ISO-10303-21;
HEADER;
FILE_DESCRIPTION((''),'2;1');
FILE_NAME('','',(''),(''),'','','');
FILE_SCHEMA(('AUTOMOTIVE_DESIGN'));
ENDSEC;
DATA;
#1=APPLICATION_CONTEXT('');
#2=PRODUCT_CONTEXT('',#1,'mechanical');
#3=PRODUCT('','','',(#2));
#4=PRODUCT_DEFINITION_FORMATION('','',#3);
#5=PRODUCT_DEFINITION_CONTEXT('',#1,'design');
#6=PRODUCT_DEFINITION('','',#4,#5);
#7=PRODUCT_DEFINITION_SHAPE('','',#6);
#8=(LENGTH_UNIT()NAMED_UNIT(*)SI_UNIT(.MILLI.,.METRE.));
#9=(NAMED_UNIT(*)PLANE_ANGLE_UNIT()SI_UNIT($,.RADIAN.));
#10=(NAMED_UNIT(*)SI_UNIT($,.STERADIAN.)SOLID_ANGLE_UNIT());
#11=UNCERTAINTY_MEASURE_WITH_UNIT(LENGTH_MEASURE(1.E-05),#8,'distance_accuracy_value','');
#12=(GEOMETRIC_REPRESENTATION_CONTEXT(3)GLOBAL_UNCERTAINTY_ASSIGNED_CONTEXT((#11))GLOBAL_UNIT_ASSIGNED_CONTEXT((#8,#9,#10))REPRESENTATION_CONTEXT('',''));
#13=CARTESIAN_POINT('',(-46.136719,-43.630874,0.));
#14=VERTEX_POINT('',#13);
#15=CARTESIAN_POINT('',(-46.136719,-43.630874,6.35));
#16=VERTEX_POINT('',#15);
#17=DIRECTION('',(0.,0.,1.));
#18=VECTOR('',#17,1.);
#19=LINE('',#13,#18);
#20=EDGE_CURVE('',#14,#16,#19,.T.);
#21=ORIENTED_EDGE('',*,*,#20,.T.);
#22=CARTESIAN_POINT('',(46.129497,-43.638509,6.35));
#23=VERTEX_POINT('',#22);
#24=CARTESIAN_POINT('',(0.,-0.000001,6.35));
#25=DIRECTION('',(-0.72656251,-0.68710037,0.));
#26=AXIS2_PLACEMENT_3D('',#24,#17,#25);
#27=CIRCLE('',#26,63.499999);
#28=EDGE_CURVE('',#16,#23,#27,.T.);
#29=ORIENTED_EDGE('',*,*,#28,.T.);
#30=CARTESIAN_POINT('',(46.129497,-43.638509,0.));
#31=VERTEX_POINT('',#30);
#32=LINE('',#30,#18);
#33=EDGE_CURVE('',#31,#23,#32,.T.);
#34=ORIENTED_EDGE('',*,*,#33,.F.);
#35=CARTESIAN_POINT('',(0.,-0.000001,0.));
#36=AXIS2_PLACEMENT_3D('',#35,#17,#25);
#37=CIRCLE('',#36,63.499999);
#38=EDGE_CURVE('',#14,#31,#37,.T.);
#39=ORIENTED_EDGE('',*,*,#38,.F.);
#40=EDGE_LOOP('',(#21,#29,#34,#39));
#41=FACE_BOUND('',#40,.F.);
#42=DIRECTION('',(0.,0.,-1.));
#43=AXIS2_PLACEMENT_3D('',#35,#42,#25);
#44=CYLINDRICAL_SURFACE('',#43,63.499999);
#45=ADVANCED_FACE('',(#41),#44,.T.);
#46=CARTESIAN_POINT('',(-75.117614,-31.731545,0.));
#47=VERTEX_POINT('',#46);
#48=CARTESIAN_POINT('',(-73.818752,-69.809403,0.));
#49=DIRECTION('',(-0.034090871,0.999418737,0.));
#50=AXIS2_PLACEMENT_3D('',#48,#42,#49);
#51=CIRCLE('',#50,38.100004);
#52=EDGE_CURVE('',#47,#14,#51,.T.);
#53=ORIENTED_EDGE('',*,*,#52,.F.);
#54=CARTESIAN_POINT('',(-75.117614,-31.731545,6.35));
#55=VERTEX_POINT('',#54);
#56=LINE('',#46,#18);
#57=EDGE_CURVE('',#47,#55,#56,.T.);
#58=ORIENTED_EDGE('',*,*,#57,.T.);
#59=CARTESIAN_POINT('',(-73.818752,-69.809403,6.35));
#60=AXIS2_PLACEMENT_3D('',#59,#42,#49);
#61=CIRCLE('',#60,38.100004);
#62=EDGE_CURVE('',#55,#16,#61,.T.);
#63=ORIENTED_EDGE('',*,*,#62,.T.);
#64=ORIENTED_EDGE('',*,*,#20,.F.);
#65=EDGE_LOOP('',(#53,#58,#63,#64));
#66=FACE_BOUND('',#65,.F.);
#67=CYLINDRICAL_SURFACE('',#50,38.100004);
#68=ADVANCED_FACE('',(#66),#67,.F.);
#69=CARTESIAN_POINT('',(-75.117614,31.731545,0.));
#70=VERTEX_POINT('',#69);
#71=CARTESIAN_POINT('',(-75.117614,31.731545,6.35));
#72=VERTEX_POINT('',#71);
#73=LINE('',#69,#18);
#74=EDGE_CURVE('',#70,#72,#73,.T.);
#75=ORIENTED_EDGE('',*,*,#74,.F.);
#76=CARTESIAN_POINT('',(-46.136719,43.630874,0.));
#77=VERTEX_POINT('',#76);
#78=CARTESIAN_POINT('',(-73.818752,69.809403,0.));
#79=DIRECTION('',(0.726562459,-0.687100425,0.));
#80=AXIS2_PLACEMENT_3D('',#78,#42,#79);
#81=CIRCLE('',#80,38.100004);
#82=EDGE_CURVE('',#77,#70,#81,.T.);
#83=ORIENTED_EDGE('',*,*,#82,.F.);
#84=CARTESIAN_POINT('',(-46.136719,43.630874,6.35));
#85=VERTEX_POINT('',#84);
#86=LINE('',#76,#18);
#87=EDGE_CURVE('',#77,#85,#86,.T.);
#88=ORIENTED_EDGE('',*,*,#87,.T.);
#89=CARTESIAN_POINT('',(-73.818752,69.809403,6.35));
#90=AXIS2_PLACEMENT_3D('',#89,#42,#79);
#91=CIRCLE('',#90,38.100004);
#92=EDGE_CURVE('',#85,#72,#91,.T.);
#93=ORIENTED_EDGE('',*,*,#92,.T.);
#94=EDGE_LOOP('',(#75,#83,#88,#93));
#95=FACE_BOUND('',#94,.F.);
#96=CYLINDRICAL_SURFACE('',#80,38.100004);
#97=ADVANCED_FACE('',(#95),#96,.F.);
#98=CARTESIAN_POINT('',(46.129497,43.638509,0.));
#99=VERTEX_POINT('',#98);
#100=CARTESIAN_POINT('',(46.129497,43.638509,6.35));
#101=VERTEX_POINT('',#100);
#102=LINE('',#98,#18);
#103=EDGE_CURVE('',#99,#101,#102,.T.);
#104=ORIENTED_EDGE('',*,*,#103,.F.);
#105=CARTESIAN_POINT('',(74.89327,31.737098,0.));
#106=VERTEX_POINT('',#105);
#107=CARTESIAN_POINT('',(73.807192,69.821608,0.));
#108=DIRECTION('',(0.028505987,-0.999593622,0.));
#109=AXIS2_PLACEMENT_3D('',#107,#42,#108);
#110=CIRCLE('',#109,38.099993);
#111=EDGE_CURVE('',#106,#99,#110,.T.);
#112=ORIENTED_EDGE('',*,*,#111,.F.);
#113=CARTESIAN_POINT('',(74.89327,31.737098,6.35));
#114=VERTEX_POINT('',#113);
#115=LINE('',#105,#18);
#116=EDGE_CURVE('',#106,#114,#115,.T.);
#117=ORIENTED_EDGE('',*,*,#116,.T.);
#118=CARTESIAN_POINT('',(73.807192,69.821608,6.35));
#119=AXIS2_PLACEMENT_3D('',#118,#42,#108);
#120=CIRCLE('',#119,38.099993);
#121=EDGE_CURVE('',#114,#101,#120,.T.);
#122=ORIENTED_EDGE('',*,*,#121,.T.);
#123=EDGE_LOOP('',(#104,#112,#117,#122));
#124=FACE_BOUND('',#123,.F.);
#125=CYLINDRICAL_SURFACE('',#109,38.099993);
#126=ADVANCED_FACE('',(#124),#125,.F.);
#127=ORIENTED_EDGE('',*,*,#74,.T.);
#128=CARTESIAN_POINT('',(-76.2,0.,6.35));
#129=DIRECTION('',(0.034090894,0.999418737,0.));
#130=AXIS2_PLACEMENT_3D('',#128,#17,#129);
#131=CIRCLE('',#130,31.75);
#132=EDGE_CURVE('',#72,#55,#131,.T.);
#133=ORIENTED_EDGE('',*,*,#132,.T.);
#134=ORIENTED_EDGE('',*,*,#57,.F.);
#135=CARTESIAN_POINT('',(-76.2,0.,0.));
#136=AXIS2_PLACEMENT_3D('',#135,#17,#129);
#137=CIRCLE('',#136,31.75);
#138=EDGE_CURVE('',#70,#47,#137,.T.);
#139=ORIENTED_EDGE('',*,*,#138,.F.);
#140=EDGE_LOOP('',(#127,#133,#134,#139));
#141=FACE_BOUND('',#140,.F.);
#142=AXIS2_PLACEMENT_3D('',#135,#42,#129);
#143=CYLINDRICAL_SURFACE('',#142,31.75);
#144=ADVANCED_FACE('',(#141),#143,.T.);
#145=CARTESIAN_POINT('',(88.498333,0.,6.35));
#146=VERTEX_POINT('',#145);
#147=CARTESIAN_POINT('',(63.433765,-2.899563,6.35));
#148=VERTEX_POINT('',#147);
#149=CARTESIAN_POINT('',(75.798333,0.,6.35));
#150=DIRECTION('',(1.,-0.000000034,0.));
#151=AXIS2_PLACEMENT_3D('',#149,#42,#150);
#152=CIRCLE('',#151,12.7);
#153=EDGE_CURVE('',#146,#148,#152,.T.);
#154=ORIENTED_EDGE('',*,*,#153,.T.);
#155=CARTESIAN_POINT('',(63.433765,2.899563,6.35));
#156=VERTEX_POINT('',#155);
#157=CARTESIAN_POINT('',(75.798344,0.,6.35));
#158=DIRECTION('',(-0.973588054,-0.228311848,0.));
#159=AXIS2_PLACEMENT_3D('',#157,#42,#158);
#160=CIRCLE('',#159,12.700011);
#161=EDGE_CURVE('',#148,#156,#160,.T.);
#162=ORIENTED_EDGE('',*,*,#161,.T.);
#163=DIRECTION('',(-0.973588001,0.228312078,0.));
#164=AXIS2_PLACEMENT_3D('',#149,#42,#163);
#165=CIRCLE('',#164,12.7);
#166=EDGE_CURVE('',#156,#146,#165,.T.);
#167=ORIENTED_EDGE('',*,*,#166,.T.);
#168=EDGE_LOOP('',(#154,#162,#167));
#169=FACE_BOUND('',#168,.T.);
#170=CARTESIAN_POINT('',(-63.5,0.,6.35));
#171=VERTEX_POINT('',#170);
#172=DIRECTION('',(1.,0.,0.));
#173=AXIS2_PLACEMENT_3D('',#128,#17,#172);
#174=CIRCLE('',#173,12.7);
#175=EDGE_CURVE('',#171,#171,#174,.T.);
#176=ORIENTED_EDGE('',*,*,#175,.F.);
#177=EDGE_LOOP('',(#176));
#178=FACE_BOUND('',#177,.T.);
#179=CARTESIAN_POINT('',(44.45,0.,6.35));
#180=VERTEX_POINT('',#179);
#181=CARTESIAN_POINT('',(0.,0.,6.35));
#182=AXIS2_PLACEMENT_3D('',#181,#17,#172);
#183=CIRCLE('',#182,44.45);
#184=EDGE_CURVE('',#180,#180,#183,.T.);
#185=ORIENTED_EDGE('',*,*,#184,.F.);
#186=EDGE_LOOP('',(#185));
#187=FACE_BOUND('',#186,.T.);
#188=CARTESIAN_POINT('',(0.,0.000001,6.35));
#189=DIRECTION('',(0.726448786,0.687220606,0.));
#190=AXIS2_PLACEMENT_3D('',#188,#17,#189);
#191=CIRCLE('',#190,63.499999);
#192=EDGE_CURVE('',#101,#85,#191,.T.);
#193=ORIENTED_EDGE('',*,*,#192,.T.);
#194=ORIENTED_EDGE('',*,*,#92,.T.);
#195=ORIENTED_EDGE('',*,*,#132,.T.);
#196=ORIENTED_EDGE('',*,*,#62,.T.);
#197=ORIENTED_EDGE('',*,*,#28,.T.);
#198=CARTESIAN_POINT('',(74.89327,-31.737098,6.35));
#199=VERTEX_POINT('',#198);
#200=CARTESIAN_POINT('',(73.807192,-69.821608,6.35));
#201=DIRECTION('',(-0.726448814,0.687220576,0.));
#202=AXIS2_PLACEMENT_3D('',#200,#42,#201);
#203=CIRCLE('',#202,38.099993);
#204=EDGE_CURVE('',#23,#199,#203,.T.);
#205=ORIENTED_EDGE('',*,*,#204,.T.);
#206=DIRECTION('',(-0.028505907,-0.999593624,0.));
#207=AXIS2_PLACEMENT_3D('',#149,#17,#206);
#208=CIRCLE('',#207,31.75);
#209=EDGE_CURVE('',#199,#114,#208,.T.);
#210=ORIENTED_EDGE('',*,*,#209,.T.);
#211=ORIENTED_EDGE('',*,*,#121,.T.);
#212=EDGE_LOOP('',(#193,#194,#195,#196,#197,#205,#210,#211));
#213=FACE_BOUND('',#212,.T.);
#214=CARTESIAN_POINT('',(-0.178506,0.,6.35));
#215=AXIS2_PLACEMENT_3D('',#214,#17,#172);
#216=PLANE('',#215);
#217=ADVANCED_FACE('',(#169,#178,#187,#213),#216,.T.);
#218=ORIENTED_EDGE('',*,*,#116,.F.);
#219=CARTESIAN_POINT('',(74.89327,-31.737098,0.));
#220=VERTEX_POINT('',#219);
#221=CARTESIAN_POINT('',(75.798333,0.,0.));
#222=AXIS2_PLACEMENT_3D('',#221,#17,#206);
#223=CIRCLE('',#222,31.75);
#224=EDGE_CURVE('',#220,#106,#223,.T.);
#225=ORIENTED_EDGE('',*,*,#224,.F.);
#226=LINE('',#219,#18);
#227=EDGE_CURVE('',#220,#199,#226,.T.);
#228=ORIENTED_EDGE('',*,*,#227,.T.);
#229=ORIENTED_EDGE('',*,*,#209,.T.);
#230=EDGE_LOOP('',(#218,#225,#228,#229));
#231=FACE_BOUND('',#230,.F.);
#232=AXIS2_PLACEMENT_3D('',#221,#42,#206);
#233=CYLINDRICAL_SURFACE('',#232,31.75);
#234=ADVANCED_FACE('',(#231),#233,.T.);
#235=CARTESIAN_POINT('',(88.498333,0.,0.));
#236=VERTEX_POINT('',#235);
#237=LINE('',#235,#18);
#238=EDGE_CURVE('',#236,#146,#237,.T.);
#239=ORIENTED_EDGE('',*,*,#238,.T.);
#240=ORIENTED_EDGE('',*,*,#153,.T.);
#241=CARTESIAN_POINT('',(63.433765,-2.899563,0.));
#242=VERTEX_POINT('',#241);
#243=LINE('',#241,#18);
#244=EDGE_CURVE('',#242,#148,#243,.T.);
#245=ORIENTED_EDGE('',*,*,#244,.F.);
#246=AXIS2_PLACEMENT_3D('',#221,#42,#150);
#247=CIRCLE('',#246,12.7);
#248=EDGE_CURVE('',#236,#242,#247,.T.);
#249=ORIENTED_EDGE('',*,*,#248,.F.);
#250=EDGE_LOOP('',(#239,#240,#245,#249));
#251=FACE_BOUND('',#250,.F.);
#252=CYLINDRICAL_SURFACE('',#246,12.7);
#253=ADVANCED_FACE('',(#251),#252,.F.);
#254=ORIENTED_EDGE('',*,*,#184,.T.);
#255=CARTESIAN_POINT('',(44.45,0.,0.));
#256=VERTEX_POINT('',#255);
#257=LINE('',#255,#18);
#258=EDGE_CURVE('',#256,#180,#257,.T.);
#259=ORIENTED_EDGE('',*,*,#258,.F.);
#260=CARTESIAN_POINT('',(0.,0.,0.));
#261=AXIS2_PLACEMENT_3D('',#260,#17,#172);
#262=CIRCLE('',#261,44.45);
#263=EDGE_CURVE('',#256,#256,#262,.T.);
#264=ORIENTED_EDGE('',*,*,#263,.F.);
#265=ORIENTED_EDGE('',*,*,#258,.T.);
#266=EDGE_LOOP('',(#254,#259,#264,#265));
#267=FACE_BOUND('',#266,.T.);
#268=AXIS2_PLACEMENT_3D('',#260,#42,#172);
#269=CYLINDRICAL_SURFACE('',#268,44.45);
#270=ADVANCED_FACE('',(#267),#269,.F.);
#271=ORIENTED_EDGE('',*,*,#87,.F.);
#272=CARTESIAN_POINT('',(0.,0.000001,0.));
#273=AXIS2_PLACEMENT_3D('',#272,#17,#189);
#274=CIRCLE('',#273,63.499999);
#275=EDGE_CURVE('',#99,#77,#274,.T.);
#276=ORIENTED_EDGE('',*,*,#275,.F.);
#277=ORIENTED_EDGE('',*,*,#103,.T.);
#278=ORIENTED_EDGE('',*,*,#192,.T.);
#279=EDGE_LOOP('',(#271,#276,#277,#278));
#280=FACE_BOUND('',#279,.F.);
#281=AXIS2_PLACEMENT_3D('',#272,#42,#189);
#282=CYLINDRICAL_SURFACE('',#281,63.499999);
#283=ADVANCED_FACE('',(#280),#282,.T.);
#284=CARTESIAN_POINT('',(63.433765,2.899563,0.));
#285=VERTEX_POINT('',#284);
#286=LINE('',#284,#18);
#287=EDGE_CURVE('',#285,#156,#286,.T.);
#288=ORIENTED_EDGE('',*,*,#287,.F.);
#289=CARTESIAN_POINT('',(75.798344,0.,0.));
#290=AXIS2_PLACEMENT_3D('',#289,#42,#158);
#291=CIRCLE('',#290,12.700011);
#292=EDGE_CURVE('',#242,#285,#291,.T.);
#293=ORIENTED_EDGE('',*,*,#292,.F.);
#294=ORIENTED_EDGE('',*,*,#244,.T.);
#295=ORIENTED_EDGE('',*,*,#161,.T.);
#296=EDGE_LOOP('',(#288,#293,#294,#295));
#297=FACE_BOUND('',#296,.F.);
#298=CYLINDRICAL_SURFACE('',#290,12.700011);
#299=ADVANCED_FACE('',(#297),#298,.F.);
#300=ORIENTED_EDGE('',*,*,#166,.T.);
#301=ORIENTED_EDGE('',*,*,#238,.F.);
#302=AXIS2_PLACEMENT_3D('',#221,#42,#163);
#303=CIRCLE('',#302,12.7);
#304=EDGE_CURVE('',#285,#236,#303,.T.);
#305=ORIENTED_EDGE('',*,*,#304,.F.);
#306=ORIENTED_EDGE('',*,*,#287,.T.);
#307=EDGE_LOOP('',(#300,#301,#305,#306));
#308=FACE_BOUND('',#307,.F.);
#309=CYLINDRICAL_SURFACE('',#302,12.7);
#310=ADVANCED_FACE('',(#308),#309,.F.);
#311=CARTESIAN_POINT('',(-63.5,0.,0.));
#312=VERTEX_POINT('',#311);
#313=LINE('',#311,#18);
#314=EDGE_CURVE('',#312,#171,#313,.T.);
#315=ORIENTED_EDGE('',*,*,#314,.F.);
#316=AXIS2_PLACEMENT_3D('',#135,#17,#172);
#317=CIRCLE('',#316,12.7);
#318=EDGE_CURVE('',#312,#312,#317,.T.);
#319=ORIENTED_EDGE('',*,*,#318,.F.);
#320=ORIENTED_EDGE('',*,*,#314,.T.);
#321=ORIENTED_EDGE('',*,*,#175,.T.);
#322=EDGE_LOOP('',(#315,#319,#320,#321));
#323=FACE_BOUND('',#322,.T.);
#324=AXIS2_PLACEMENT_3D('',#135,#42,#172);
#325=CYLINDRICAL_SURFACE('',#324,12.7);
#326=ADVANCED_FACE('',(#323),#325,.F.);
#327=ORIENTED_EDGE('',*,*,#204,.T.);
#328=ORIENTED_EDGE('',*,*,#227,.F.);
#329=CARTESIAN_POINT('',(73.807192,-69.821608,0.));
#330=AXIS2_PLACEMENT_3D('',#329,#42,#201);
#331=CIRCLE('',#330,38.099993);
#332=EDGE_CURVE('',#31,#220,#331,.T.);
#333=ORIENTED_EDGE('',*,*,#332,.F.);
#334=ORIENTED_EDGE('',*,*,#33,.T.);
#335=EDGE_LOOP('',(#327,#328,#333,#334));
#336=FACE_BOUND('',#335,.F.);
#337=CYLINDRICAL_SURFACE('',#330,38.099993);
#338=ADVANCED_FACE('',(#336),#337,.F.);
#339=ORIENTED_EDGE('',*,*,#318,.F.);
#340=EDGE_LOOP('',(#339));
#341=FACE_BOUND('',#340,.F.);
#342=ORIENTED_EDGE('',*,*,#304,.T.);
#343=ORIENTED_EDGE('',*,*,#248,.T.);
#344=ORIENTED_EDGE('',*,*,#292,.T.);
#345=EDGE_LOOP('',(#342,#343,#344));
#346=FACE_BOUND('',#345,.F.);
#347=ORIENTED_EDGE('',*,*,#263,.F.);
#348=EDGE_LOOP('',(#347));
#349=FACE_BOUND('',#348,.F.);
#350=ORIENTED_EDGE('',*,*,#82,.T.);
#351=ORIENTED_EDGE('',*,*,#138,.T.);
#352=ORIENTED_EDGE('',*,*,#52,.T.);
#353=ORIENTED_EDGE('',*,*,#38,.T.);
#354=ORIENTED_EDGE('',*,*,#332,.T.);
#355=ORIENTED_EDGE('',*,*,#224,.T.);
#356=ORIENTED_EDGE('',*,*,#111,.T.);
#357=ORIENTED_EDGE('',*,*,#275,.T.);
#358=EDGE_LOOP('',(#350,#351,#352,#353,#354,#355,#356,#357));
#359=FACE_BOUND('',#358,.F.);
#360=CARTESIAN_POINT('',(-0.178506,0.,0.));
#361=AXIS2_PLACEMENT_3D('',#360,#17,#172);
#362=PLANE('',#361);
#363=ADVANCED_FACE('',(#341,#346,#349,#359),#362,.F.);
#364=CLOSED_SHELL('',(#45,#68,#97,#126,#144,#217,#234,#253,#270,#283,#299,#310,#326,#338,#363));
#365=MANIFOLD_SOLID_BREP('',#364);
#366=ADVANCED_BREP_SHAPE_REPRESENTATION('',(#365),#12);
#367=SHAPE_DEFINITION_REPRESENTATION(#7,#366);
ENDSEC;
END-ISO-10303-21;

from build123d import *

# Parameters (mm, degrees)
F0_R     = 12.7
F0_R_2   = 44.45
F1_DEPTH = 6.35


with BuildPart() as f1:
    # F0 (on Top) → F1 (new body)
    with BuildSketch(Plane.XY):
        with BuildLine():
            ThreePointArc((-75.117614, -31.731545), (-59.347524, -34.564632), (-46.136719, -43.630874))
            ThreePointArc((-46.136719, -43.630874), (-0.005255, -63.5), (46.129497, -43.638509))
            ThreePointArc((46.129497, -43.638509), (59.240469, -34.61621), (74.89327, -31.737098))
            ThreePointArc((74.89327, -31.737098), (107.548333, 0), (74.89327, 31.737098))
            ThreePointArc((74.89327, 31.737098), (59.240469, 34.61621), (46.129497, 43.638509))
            ThreePointArc((46.129497, 43.638509), (-0.005255, 63.5), (-46.136719, 43.630874))
            ThreePointArc((-46.136719, 43.630874), (-59.347524, 34.564632), (-75.117614, 31.731545))
            ThreePointArc((-75.117614, 31.731545), (-107.95, 0), (-75.117614, -31.731545))
        make_face()
        with Locations((-76.2, 0)):
            Circle(F0_R, mode=Mode.SUBTRACT)
        Circle(F0_R_2, mode=Mode.SUBTRACT)
        with BuildLine():
            ThreePointArc((63.433765, 2.899563), (77.257783, 12.615863), (88.498333, 0))
            ThreePointArc((88.498333, 0), (77.257783, -12.615863), (63.433765, -2.899563))
            ThreePointArc((63.433765, -2.899563), (63.098333, 0), (63.433765, 2.899563))
        make_face(mode=Mode.SUBTRACT)
    extrude(amount=F1_DEPTH)


solid = f1.part
